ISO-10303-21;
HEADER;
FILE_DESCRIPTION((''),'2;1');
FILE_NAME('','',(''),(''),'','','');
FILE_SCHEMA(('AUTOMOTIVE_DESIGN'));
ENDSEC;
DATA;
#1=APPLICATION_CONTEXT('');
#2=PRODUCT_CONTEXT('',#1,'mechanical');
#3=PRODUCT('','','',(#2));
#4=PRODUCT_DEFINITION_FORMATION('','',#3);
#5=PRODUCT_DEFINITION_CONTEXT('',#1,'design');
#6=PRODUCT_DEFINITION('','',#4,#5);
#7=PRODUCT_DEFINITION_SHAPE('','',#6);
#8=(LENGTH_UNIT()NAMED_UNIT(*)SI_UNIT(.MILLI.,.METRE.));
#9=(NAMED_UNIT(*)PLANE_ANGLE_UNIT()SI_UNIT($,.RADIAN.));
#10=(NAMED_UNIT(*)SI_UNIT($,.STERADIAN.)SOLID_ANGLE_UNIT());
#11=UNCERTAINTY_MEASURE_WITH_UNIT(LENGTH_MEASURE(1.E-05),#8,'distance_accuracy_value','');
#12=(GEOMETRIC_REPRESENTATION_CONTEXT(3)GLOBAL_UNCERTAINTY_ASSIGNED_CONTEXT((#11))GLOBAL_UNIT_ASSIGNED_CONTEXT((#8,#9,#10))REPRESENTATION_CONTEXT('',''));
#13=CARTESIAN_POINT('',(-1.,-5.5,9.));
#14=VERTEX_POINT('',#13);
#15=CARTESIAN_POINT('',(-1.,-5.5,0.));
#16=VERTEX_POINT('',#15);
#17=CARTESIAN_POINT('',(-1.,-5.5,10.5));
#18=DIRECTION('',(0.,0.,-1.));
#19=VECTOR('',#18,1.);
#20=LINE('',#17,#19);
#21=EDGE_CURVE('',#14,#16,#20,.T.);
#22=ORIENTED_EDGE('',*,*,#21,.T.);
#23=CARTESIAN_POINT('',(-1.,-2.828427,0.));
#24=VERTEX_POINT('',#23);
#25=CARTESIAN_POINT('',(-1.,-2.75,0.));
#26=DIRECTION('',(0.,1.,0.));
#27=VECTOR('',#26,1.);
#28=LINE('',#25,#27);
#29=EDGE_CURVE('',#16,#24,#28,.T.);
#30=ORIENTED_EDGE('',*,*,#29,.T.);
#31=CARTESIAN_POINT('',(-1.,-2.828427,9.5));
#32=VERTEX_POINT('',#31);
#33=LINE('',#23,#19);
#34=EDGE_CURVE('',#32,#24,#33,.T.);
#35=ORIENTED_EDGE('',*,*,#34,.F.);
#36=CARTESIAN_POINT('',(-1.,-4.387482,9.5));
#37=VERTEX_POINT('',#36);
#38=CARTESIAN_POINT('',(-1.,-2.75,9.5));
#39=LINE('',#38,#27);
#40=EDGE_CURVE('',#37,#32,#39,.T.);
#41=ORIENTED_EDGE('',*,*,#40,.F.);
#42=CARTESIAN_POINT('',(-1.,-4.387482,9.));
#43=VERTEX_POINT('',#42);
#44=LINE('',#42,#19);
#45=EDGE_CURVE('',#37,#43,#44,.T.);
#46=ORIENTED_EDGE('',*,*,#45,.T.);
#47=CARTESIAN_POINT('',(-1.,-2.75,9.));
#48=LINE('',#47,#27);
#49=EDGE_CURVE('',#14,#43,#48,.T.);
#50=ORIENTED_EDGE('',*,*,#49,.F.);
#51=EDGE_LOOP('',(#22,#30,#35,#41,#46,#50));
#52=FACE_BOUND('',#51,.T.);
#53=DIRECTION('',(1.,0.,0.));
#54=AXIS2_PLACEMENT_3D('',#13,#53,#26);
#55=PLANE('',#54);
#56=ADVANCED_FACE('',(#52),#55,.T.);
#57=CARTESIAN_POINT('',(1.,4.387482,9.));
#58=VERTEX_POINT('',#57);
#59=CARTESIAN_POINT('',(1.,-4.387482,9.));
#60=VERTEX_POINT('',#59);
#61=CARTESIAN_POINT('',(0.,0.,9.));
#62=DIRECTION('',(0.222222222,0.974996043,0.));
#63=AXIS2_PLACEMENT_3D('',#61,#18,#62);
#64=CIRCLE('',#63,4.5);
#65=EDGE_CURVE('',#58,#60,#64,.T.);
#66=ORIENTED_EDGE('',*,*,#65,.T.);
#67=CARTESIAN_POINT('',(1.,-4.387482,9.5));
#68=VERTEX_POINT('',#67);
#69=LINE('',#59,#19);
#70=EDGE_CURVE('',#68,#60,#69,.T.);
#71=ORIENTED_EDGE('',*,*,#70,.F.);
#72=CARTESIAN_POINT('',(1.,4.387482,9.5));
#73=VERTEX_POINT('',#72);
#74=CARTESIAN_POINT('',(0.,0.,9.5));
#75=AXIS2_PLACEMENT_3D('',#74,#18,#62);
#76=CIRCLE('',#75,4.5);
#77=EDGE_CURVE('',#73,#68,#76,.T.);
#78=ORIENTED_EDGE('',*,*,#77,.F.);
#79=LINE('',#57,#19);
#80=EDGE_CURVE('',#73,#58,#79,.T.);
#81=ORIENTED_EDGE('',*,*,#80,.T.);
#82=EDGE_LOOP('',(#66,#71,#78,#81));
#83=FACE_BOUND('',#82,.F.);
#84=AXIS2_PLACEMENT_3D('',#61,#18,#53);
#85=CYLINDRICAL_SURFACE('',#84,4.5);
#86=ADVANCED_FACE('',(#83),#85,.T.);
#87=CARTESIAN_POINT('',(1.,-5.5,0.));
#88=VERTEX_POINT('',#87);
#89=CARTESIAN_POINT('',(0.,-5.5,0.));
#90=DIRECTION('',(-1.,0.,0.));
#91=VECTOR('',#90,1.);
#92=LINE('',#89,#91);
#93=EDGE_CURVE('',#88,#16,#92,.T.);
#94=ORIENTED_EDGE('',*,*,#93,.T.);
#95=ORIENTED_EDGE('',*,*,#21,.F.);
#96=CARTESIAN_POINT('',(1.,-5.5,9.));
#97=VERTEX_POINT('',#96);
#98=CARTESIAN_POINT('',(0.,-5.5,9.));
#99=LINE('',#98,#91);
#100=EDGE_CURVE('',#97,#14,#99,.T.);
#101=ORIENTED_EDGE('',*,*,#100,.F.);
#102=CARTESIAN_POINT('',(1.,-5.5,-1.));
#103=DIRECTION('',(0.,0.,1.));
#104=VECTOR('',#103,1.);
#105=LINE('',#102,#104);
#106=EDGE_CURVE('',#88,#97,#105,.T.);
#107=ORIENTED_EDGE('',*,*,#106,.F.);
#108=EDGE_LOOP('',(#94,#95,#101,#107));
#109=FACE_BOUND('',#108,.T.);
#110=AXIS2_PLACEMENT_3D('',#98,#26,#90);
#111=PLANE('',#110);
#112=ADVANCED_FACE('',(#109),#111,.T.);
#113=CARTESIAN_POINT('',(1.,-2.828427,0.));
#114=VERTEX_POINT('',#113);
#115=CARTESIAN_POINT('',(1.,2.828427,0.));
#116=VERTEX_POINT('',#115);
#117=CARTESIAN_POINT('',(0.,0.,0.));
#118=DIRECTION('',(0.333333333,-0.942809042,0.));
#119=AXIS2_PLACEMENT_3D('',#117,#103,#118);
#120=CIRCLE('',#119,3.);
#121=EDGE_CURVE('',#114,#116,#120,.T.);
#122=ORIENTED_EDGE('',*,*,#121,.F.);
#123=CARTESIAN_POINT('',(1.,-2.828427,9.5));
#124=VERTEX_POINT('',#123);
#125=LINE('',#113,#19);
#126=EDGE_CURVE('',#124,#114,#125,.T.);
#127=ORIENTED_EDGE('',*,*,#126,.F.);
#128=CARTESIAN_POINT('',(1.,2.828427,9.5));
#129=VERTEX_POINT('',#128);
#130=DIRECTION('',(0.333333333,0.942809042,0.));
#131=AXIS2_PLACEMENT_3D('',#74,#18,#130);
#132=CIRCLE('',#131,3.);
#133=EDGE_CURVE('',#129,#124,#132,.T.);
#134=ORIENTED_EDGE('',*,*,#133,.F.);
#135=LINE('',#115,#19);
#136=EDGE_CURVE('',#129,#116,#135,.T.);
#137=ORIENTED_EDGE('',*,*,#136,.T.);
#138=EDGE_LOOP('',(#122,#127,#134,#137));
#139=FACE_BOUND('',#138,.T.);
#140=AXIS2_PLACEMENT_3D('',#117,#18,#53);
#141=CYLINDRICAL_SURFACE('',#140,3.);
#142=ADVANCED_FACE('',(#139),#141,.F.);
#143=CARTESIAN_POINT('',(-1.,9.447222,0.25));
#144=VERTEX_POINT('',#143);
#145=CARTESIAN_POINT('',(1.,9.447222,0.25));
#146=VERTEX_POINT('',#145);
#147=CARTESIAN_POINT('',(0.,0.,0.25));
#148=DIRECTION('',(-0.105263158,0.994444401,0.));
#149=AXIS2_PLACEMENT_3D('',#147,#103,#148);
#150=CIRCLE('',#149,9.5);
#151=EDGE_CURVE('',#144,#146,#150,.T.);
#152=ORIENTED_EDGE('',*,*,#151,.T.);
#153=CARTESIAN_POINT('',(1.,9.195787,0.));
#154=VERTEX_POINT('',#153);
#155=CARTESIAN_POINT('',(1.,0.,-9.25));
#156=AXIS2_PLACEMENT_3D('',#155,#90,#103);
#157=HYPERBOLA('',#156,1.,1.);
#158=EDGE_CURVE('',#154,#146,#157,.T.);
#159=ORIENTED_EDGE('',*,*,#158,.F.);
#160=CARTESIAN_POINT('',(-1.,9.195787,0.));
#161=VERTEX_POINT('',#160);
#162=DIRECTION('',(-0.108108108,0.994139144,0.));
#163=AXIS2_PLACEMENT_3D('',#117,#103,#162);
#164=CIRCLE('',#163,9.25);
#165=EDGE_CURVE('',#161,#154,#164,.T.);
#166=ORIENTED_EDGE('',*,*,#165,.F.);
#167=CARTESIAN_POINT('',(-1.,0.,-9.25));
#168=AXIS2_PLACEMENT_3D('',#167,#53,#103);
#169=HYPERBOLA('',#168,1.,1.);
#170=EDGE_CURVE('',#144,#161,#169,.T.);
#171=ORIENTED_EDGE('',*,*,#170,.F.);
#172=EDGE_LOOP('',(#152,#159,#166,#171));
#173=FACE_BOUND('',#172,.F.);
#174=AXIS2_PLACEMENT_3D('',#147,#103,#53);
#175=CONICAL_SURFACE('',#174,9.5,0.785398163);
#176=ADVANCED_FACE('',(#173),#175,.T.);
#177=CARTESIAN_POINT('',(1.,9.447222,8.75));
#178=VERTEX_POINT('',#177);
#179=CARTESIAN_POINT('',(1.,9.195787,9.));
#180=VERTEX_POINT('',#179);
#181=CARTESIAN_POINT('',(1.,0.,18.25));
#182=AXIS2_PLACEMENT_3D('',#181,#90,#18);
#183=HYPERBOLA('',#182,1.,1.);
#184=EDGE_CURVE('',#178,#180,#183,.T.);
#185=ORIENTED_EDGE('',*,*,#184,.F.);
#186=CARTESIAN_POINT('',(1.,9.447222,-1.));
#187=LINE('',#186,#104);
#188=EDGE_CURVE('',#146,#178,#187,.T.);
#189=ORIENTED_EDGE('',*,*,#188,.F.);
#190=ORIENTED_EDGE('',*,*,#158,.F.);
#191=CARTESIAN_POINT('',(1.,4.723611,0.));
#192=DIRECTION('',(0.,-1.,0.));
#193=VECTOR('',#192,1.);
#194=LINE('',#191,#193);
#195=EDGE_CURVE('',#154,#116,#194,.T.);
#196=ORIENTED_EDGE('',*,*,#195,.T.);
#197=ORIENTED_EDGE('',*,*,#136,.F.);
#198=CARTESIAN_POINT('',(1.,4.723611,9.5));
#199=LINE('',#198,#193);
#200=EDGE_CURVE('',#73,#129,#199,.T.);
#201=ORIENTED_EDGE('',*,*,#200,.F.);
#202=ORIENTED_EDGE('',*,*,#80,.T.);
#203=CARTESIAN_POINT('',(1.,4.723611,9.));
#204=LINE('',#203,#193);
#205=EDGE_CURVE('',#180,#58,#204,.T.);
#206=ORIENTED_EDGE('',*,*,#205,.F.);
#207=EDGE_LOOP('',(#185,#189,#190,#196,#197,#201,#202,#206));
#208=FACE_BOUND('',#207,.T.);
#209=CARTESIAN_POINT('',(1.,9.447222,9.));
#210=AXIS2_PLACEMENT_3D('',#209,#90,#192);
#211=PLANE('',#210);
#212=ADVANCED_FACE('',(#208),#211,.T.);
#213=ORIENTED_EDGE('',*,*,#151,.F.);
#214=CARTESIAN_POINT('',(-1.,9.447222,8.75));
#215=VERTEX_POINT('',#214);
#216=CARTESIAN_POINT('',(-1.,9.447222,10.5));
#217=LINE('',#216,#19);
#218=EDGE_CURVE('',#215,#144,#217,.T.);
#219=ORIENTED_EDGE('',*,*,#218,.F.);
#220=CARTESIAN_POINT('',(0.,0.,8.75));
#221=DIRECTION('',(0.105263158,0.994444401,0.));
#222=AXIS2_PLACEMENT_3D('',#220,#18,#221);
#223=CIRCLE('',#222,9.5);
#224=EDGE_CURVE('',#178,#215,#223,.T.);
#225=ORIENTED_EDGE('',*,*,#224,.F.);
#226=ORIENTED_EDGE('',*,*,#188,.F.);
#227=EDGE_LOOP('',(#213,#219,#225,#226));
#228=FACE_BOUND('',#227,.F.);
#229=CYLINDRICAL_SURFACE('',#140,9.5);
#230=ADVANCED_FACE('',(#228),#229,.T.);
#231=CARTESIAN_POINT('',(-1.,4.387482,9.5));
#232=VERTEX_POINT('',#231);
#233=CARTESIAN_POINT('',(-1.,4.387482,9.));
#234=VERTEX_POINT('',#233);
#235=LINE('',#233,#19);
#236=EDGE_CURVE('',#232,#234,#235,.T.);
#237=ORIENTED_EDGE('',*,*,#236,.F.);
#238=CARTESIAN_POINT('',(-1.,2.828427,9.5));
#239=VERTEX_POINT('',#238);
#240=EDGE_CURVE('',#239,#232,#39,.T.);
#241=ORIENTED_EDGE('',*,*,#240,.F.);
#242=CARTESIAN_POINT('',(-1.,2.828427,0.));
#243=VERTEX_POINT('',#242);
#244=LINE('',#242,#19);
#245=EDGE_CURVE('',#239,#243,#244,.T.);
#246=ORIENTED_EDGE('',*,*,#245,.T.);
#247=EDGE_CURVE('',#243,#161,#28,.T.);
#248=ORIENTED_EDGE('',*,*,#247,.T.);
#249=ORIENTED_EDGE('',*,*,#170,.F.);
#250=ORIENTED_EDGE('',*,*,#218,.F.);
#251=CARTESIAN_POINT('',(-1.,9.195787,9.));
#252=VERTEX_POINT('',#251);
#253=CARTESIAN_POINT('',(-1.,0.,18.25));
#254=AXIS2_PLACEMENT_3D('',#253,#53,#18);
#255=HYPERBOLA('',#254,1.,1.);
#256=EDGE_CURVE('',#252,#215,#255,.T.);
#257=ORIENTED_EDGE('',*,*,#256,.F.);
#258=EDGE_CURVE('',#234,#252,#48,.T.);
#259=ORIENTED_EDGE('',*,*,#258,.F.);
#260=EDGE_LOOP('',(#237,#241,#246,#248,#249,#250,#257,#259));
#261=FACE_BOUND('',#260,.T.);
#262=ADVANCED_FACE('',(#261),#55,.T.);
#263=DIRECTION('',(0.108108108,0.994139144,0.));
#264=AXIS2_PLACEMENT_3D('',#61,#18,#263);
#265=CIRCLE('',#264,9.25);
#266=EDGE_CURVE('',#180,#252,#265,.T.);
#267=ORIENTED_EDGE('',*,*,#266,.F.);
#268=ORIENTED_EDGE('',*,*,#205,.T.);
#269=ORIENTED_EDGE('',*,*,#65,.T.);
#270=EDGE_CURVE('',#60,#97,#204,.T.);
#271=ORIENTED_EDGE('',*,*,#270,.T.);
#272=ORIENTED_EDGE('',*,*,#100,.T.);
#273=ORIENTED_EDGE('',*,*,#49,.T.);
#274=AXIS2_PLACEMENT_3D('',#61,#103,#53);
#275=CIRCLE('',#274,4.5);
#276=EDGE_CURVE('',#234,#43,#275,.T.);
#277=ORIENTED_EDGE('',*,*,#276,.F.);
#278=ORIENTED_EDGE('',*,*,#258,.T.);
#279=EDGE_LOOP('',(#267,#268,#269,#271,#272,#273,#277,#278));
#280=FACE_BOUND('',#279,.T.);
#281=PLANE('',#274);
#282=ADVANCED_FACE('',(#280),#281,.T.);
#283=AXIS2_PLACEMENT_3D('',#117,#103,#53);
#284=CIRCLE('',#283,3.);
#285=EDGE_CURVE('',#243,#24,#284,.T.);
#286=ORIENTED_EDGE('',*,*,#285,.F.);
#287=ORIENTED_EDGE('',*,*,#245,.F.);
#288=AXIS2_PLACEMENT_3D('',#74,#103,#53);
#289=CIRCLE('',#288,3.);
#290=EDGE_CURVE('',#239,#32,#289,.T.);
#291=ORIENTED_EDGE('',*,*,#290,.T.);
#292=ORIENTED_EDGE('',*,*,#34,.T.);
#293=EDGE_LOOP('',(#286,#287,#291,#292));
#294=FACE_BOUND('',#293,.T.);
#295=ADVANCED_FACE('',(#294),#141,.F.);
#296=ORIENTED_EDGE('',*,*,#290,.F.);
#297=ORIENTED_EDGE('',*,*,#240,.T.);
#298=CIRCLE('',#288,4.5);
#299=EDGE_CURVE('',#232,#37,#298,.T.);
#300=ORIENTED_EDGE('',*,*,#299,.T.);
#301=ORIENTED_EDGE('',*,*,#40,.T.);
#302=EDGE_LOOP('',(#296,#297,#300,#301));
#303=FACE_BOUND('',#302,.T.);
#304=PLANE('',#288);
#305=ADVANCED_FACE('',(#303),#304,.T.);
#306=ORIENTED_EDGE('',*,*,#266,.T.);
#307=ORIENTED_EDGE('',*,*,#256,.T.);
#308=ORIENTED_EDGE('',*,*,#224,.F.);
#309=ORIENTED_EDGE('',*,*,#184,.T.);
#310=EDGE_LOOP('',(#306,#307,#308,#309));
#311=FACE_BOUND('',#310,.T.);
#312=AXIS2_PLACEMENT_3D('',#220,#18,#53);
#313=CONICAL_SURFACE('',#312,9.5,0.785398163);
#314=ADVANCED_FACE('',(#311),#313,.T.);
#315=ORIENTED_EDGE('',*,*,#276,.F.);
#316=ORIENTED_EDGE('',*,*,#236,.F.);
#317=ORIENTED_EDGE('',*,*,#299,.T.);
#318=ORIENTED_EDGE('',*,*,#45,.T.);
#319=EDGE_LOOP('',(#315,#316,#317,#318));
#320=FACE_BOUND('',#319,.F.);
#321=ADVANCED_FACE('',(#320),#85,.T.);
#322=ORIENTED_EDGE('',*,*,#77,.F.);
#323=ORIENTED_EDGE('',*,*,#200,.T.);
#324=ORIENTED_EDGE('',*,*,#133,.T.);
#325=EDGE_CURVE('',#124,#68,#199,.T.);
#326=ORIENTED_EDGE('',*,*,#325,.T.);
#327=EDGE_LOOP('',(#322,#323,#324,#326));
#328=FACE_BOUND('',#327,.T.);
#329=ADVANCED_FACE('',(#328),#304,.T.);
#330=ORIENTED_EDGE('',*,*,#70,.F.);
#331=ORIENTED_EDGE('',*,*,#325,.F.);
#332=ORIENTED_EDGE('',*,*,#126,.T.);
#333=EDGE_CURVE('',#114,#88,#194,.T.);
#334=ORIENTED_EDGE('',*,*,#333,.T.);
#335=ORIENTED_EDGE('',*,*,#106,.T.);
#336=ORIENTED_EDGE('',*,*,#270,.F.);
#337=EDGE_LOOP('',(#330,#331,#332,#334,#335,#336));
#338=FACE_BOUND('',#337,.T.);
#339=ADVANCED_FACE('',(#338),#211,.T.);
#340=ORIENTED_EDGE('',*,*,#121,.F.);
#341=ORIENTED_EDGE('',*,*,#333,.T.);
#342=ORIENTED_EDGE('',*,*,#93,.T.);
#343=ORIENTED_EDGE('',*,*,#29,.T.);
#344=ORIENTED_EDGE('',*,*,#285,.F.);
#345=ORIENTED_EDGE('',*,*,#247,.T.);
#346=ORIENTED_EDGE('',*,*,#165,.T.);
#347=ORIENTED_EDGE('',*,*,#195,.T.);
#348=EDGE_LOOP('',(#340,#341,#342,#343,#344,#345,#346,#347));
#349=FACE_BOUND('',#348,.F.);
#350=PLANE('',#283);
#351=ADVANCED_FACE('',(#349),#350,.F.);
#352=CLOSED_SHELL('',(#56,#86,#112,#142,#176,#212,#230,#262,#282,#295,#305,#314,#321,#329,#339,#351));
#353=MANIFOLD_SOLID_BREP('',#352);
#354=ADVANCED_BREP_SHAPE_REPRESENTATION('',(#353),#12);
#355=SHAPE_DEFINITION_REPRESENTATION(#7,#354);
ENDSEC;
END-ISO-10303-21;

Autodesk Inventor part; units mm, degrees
ref_plane "YZ Plane" through (0, 0, 0) normal (1, 0, 0) x (0, 1, 0)
ref_plane "XZ Plane" through (0, 0, 0) normal (0, 1, 0) x (-1, 0, 0)
ref_plane "XY Plane" through (0, 0, 0) normal (0, 0, 1) x (1, 0, 0)
sketch "Base" plane through (0, 0, 0) normal (0, 0, 1) x (1, 0, 0)
  circle A0 centre (0, 0) radius 3
  circle A1 centre (0, 0) radius 9.5
  dimension "d0" = 6
  dimension "d1" = 19
extrude "Extrusion1" add sketch "Base" along normal blind 9
sketch "Sketch2" plane through (0, 0, 9) normal (0, 0, 1) x (1, 0, 0)
  circle A0 centre (0, 0) radius 4.5
  circle A1 centre (0, 0) radius 3 projected
  dimension "d4" = 9
extrude "Extrusion2" add sketch "Sketch2" along normal blind 0.5
chamfer "Chamfer1" distance 0.25 angle 45 2 edges at (-9.5, 0, 9) (-9.5, 0, 0)
sketch "Sketch3" plane through (0, 0, 9) normal (0, 0, 1) x (1, 0, 0)
  line L0 (0, -5.5) -> (0, 9.5)
  circle A0 centre (0, 0) radius 9.5 projected
  line L1 (-1, 9.5) -> (1, 9.5)
  line L2 (1, 9.5) -> (1, -5.5)
  line L3 (1, -5.5) -> (-1, -5.5)
  line L4 (-1, -5.5) -> (-1, 9.5)
  point P0 (-1, 9.4472)
  point P1 (1, 9.4472)
  dimension "d10" = 15
  dimension "d11" = 2
extrude "Extrusion3" cut sketch "Sketch3" against normal through all both and the other way through all contours L3 L4 A0 L0 | L0 A0 L2 L3
properties part number "ShoulderCollar"
